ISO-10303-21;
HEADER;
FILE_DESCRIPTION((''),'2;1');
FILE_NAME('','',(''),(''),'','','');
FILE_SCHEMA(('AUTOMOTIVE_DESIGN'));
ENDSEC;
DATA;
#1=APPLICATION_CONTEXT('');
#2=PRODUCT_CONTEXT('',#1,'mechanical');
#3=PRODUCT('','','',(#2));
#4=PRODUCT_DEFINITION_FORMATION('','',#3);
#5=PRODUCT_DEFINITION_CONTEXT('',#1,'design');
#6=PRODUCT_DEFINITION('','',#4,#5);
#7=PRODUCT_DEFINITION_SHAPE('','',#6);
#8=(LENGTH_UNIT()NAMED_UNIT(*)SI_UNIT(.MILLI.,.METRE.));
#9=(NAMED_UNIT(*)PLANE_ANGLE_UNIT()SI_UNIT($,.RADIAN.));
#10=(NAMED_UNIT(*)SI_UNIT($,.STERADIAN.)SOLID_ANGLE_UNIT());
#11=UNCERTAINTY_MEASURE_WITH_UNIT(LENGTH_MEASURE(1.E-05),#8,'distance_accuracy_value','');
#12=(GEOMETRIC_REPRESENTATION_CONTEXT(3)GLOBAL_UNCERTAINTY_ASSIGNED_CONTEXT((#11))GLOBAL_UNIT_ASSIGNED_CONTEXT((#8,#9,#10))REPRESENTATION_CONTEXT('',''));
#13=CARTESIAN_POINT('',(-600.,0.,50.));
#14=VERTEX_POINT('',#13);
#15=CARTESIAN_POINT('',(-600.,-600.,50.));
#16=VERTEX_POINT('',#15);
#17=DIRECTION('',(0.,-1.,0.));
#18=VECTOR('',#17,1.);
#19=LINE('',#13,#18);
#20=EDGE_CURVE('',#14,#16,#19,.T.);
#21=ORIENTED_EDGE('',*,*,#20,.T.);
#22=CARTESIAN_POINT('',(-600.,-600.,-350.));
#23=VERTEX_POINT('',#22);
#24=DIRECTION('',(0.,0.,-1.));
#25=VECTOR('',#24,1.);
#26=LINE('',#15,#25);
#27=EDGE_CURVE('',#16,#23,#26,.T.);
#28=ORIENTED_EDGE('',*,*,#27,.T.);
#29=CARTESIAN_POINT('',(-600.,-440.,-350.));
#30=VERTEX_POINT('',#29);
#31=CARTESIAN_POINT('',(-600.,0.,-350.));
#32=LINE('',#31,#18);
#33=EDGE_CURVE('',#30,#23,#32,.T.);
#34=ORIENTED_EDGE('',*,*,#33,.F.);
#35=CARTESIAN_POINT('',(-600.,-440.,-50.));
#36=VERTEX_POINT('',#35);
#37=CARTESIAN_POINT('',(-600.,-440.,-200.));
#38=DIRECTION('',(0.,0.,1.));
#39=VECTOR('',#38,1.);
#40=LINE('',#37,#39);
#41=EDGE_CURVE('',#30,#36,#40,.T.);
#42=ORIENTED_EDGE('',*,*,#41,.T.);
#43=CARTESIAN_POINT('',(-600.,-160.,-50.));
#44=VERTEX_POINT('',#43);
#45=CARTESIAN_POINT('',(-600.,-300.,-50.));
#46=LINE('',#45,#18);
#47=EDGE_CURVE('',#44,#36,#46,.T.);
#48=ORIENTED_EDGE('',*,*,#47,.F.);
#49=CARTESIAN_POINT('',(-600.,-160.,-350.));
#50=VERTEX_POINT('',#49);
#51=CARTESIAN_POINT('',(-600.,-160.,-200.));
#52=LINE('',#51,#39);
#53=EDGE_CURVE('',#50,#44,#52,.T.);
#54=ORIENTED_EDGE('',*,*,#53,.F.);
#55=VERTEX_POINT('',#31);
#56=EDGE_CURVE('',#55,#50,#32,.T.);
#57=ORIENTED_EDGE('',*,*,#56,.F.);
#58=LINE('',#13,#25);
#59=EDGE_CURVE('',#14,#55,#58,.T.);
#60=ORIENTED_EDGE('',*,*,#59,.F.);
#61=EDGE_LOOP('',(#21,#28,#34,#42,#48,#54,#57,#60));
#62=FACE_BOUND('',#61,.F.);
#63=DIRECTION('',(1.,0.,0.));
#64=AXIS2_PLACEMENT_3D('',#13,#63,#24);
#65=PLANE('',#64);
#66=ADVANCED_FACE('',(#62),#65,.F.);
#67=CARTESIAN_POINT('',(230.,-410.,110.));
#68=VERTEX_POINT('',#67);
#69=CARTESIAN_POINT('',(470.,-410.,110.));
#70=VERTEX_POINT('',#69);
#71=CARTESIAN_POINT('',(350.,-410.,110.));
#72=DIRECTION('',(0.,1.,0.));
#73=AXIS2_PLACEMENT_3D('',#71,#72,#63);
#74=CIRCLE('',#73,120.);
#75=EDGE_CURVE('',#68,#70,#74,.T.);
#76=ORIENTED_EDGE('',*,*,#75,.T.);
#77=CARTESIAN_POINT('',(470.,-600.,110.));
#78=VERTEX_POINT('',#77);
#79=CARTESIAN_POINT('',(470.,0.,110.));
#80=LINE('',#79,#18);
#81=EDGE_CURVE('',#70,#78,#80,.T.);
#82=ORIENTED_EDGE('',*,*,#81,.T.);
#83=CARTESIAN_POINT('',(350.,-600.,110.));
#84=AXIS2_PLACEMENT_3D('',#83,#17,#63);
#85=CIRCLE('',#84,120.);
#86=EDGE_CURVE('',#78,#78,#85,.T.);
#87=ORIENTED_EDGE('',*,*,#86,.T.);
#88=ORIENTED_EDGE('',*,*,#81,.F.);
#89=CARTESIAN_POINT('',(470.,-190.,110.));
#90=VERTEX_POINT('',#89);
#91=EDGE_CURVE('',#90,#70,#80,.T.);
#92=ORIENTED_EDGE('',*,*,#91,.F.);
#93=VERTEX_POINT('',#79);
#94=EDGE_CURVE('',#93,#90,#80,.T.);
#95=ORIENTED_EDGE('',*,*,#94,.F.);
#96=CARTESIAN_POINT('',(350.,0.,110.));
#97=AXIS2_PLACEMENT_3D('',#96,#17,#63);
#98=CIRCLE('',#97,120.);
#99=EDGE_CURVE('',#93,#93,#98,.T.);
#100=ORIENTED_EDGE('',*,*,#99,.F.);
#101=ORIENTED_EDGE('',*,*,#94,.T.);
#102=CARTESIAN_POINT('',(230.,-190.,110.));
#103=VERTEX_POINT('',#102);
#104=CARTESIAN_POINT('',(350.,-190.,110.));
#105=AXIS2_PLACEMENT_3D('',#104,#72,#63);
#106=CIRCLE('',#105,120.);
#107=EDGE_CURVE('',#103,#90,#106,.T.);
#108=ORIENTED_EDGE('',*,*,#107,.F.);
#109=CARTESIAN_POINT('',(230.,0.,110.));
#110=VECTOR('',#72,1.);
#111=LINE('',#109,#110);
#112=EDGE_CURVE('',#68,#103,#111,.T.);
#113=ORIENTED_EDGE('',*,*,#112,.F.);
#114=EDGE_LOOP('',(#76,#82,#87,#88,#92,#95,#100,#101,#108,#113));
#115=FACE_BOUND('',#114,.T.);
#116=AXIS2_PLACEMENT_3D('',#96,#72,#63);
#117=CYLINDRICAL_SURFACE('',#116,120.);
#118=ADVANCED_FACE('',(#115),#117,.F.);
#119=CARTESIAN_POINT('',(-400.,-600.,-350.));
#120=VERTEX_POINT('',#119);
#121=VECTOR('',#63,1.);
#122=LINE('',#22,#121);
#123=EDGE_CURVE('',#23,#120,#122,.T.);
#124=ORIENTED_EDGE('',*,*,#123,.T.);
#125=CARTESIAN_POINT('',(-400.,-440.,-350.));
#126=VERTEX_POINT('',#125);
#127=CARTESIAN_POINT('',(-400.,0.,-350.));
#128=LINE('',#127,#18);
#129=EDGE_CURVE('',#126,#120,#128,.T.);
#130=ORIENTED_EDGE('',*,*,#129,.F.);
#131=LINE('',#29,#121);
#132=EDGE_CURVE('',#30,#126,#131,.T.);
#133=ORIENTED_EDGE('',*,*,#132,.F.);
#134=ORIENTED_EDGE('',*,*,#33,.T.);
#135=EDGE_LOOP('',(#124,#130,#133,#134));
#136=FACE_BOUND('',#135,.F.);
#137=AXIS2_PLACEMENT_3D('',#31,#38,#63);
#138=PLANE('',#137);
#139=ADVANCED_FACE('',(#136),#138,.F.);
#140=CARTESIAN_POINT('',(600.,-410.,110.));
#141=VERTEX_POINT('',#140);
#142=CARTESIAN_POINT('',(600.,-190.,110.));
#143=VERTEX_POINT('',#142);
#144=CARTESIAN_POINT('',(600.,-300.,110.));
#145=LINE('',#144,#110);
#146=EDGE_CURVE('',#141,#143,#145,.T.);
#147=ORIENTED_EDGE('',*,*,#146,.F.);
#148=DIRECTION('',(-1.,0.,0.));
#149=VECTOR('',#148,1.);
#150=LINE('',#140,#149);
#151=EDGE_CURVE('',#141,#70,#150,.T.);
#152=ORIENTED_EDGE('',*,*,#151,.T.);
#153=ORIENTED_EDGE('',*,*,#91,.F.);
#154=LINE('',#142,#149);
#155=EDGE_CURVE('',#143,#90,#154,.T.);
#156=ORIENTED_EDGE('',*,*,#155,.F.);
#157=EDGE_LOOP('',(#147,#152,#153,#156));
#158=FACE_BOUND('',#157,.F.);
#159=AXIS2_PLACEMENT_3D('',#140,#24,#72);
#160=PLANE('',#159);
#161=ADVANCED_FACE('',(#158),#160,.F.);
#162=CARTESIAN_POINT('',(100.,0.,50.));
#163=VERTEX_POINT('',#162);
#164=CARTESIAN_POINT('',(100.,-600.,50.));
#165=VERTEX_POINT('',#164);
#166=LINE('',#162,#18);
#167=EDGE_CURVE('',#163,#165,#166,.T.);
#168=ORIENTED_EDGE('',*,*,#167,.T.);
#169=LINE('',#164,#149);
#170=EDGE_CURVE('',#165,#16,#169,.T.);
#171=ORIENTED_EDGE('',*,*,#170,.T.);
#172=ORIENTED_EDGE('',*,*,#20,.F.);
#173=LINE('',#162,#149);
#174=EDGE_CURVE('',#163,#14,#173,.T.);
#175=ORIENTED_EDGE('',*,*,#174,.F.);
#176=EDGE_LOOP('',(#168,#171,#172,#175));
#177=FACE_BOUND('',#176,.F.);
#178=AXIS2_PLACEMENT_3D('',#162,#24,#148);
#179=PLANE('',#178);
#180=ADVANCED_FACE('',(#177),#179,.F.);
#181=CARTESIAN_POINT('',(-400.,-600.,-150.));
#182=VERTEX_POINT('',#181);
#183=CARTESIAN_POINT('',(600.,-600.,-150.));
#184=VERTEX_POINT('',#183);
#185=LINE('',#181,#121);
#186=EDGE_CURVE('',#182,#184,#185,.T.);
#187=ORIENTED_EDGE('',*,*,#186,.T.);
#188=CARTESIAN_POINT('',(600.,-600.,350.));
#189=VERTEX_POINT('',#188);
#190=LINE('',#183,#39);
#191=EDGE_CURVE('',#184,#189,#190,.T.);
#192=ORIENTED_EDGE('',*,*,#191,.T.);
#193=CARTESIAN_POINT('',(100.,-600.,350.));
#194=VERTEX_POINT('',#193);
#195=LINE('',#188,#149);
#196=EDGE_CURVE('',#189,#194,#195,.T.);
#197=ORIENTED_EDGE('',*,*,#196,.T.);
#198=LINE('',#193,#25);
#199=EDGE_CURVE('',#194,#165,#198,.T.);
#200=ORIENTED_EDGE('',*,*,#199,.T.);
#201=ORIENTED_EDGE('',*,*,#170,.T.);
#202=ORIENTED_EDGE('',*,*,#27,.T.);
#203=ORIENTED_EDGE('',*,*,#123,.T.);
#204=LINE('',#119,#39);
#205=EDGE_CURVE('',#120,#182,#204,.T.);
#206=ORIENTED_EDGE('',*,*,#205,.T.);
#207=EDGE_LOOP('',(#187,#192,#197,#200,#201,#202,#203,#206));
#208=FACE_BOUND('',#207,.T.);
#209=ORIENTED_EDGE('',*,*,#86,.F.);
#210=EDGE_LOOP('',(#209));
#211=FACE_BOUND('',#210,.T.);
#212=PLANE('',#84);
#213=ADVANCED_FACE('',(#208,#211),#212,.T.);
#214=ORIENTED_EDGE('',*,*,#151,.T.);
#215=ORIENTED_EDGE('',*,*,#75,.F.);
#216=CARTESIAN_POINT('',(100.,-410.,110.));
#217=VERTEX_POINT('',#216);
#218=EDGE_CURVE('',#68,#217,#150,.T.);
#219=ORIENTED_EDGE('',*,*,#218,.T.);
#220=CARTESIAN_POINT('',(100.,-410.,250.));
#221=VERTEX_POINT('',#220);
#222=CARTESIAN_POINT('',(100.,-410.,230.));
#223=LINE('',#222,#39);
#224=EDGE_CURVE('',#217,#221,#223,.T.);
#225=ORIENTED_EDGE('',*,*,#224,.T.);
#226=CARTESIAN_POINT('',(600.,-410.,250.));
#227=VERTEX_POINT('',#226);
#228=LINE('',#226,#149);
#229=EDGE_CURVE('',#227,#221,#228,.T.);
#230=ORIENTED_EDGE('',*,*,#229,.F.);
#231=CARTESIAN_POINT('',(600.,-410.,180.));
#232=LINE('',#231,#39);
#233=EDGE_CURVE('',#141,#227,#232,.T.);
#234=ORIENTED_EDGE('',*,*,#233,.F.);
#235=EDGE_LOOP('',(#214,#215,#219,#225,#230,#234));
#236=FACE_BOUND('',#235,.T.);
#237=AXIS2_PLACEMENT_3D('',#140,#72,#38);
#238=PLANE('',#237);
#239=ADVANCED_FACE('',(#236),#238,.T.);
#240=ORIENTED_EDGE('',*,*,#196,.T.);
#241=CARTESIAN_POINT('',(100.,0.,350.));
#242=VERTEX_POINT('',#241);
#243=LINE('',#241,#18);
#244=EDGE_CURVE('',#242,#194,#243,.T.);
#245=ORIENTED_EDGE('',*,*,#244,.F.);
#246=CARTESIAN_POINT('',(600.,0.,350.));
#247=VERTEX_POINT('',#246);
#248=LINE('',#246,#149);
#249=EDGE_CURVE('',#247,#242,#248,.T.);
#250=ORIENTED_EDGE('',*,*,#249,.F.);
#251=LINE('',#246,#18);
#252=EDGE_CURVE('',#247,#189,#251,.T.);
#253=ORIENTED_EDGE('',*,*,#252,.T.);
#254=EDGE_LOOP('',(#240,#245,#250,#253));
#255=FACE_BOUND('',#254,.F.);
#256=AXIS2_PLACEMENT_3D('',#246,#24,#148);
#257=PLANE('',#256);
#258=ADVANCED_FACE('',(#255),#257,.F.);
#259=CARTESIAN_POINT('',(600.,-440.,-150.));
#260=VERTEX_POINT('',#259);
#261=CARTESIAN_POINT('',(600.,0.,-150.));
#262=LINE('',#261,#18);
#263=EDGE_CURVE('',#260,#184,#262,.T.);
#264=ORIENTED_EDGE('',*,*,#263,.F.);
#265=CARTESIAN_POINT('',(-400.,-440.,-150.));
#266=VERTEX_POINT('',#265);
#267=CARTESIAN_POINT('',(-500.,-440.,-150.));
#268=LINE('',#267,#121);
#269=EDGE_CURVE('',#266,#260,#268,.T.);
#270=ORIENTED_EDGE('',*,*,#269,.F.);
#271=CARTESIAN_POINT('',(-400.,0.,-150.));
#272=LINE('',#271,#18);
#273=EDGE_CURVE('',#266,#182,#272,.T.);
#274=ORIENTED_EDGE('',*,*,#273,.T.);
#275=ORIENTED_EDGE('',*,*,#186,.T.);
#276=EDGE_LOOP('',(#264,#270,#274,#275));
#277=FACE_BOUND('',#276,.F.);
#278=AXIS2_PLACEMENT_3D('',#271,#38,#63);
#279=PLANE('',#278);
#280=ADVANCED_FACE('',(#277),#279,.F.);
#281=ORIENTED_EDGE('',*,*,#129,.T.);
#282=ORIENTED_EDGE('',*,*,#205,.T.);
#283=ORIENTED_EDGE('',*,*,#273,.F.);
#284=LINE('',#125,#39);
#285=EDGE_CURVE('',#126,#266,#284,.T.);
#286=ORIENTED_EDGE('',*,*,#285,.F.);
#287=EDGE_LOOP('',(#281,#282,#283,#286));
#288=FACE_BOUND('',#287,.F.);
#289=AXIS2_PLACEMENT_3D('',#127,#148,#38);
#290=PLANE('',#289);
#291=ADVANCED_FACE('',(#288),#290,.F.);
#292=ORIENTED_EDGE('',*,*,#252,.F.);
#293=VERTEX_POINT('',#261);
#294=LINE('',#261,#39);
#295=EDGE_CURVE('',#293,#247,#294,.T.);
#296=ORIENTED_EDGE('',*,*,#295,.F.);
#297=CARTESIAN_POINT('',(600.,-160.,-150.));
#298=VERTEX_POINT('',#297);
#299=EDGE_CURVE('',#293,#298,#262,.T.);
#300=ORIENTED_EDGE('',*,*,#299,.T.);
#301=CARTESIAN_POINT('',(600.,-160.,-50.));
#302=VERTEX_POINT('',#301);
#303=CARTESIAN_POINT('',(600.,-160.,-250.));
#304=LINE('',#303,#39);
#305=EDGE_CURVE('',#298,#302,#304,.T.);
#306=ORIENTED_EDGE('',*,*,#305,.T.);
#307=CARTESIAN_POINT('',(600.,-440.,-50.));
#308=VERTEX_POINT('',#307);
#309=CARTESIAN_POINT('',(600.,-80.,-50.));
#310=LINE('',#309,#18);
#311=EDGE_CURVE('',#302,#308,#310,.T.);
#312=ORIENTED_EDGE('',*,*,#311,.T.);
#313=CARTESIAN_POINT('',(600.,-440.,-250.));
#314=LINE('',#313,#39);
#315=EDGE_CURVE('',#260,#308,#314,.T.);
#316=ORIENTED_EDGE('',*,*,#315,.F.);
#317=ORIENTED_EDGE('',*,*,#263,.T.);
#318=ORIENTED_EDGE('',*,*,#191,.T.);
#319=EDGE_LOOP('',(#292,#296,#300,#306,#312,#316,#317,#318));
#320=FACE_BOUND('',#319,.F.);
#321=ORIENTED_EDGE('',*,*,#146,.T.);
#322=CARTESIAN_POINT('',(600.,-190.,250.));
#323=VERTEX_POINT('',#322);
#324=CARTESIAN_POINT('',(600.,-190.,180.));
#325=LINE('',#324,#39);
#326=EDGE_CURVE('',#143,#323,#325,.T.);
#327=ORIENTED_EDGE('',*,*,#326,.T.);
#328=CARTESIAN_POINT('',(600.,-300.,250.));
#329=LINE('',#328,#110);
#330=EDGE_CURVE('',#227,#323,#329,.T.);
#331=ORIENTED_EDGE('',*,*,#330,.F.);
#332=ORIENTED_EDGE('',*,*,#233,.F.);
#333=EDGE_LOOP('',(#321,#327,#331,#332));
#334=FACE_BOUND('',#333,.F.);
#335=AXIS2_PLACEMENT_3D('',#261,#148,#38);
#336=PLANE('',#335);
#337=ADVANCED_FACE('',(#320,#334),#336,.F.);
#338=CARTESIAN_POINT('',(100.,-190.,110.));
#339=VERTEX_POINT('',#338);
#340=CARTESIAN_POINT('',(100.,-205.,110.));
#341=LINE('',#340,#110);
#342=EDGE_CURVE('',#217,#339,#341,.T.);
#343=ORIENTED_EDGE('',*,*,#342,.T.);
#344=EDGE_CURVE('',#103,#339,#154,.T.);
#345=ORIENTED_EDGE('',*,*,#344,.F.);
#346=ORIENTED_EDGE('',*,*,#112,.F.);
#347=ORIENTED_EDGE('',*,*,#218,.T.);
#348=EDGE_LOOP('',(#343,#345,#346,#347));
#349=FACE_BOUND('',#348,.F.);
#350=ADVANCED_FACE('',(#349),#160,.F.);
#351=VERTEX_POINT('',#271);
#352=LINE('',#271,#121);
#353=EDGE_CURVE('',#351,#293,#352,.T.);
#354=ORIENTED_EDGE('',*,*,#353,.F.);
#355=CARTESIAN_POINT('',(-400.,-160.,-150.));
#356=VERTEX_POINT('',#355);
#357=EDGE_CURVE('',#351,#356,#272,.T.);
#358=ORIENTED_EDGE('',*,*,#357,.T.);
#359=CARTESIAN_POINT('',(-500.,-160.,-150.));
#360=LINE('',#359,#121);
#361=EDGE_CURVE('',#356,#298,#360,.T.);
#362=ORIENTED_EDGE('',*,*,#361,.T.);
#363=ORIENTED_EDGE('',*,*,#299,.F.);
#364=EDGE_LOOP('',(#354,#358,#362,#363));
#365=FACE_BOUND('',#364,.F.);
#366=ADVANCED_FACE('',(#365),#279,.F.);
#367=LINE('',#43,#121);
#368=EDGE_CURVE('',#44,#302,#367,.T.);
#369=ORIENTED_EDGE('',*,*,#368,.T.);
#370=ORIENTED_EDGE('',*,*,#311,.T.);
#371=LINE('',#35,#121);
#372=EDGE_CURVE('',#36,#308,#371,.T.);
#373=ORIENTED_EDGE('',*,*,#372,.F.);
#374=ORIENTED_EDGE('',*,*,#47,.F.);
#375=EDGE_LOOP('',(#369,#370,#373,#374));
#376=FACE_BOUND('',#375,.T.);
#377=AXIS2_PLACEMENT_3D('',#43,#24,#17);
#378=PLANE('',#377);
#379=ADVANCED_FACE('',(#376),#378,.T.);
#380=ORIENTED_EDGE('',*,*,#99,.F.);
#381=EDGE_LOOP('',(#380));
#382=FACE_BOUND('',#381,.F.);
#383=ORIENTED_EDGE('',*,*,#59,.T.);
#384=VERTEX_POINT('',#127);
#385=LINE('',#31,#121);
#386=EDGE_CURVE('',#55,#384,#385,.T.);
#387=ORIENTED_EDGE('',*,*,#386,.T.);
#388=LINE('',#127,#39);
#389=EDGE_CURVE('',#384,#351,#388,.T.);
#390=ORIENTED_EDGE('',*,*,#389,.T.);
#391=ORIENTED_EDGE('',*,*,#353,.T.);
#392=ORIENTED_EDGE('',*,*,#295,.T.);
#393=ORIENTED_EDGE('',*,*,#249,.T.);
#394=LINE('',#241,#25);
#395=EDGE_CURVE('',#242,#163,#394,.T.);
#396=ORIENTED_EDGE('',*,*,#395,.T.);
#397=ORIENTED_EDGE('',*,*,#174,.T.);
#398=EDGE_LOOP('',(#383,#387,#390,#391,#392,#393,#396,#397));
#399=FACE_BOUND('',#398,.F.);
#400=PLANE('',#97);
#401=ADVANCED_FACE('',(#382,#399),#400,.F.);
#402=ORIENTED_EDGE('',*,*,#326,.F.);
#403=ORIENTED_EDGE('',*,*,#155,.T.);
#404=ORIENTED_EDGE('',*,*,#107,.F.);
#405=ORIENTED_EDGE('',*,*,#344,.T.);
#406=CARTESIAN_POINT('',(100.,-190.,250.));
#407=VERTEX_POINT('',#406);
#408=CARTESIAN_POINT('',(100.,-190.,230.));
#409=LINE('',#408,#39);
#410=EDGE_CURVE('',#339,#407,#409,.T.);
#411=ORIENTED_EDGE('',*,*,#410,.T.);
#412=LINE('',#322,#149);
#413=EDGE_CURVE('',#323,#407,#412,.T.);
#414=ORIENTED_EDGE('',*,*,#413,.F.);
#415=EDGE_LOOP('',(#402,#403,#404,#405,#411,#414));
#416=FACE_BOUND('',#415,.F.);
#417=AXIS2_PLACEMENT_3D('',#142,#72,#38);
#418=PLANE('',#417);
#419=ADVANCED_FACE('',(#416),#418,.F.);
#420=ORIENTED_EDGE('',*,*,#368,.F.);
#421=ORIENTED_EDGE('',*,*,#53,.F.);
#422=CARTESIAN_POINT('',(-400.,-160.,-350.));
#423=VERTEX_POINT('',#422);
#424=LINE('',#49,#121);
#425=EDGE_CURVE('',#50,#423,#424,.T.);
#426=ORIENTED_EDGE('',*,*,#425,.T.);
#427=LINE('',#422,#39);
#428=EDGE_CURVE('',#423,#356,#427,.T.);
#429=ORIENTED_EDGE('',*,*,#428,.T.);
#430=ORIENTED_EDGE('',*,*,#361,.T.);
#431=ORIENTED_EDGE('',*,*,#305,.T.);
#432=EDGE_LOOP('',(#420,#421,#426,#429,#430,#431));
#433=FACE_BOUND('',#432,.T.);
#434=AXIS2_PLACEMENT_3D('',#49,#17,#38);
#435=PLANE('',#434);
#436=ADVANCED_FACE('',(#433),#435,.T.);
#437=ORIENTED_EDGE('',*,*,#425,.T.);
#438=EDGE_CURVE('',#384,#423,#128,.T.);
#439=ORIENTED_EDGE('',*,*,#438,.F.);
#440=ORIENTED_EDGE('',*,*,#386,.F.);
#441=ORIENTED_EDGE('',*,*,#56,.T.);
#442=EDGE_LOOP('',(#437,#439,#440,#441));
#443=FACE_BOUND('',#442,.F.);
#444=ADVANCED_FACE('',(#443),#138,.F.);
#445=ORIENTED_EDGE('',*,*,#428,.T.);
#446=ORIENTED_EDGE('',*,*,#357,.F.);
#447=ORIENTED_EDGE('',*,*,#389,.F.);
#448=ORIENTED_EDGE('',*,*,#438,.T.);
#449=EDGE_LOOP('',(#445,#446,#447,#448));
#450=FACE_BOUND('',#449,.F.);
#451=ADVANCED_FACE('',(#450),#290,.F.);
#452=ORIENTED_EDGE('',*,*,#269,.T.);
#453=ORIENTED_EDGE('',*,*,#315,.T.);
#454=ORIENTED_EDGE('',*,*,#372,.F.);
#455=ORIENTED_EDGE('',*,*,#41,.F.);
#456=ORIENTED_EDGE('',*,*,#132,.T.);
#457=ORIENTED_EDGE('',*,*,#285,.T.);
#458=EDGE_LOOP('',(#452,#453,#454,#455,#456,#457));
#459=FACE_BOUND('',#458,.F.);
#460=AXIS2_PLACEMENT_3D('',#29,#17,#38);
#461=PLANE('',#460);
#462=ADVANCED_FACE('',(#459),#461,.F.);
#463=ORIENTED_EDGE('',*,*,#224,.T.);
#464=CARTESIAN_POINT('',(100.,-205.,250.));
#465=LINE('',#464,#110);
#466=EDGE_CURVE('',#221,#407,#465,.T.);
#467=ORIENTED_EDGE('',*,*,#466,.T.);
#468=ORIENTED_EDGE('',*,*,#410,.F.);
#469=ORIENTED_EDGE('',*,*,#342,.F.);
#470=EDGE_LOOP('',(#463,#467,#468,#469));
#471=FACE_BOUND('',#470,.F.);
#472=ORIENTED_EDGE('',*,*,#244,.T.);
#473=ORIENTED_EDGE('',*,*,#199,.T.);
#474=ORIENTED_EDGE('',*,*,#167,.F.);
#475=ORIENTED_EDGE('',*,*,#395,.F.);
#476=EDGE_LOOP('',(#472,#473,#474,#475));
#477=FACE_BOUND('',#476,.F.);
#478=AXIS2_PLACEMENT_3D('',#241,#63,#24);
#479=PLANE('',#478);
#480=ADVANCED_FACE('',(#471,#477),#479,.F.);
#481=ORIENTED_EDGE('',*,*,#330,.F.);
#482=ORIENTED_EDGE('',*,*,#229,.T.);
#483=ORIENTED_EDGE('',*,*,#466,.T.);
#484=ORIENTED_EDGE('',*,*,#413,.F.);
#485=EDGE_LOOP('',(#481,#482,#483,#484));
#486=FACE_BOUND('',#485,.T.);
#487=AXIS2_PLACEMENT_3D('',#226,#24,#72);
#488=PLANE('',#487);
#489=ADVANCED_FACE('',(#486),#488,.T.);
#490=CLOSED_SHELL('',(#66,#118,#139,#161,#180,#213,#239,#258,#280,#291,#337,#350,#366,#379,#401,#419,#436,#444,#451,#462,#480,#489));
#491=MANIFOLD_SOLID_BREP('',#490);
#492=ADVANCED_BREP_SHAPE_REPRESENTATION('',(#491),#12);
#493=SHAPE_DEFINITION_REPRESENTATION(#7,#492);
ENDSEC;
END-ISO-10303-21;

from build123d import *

# Parameters (mm, degrees)
F0_R     = 120
F1_DEPTH = 600
F2_W     = 220
F2_H     = 140
F3_DEPTH = 1200.001
F4_W     = 280
F4_H     = 300
F5_DEPTH = 1200.001


with BuildPart() as f1:
    # F0 (on Front) → F1 (new body)
    with BuildSketch(Plane.XZ):
        with Locations((350, 110)):
            Circle(F0_R)
        Polygon((600, 110), (600, 350), (100, 350), (100, 50), (-600, 50), (-600, -350), (-400, -350), (-400, -150), (600, -150), (600, 50), align=None)
        with Locations((350, 110)):
            Circle(F0_R, mode=Mode.SUBTRACT)
    extrude(amount=F1_DEPTH)

    # F2 (on face) → F3 (cut, through all)
    with BuildSketch(Plane.YZ.offset(600)):
        with Locations((-300, 180)):
            Rectangle(F2_W, F2_H)
    extrude(amount=-F3_DEPTH, mode=Mode.SUBTRACT)

    # F4 (on face) → F5 (cut, through all)
    with BuildSketch(Plane(origin=(-600, 0, 0), x_dir=(0, -1, 0), z_dir=(-1, 0, 0))):
        with Locations((300, -200)):
            Rectangle(F4_W, F4_H)
    extrude(amount=-F5_DEPTH, mode=Mode.SUBTRACT)


solid = f1.part
